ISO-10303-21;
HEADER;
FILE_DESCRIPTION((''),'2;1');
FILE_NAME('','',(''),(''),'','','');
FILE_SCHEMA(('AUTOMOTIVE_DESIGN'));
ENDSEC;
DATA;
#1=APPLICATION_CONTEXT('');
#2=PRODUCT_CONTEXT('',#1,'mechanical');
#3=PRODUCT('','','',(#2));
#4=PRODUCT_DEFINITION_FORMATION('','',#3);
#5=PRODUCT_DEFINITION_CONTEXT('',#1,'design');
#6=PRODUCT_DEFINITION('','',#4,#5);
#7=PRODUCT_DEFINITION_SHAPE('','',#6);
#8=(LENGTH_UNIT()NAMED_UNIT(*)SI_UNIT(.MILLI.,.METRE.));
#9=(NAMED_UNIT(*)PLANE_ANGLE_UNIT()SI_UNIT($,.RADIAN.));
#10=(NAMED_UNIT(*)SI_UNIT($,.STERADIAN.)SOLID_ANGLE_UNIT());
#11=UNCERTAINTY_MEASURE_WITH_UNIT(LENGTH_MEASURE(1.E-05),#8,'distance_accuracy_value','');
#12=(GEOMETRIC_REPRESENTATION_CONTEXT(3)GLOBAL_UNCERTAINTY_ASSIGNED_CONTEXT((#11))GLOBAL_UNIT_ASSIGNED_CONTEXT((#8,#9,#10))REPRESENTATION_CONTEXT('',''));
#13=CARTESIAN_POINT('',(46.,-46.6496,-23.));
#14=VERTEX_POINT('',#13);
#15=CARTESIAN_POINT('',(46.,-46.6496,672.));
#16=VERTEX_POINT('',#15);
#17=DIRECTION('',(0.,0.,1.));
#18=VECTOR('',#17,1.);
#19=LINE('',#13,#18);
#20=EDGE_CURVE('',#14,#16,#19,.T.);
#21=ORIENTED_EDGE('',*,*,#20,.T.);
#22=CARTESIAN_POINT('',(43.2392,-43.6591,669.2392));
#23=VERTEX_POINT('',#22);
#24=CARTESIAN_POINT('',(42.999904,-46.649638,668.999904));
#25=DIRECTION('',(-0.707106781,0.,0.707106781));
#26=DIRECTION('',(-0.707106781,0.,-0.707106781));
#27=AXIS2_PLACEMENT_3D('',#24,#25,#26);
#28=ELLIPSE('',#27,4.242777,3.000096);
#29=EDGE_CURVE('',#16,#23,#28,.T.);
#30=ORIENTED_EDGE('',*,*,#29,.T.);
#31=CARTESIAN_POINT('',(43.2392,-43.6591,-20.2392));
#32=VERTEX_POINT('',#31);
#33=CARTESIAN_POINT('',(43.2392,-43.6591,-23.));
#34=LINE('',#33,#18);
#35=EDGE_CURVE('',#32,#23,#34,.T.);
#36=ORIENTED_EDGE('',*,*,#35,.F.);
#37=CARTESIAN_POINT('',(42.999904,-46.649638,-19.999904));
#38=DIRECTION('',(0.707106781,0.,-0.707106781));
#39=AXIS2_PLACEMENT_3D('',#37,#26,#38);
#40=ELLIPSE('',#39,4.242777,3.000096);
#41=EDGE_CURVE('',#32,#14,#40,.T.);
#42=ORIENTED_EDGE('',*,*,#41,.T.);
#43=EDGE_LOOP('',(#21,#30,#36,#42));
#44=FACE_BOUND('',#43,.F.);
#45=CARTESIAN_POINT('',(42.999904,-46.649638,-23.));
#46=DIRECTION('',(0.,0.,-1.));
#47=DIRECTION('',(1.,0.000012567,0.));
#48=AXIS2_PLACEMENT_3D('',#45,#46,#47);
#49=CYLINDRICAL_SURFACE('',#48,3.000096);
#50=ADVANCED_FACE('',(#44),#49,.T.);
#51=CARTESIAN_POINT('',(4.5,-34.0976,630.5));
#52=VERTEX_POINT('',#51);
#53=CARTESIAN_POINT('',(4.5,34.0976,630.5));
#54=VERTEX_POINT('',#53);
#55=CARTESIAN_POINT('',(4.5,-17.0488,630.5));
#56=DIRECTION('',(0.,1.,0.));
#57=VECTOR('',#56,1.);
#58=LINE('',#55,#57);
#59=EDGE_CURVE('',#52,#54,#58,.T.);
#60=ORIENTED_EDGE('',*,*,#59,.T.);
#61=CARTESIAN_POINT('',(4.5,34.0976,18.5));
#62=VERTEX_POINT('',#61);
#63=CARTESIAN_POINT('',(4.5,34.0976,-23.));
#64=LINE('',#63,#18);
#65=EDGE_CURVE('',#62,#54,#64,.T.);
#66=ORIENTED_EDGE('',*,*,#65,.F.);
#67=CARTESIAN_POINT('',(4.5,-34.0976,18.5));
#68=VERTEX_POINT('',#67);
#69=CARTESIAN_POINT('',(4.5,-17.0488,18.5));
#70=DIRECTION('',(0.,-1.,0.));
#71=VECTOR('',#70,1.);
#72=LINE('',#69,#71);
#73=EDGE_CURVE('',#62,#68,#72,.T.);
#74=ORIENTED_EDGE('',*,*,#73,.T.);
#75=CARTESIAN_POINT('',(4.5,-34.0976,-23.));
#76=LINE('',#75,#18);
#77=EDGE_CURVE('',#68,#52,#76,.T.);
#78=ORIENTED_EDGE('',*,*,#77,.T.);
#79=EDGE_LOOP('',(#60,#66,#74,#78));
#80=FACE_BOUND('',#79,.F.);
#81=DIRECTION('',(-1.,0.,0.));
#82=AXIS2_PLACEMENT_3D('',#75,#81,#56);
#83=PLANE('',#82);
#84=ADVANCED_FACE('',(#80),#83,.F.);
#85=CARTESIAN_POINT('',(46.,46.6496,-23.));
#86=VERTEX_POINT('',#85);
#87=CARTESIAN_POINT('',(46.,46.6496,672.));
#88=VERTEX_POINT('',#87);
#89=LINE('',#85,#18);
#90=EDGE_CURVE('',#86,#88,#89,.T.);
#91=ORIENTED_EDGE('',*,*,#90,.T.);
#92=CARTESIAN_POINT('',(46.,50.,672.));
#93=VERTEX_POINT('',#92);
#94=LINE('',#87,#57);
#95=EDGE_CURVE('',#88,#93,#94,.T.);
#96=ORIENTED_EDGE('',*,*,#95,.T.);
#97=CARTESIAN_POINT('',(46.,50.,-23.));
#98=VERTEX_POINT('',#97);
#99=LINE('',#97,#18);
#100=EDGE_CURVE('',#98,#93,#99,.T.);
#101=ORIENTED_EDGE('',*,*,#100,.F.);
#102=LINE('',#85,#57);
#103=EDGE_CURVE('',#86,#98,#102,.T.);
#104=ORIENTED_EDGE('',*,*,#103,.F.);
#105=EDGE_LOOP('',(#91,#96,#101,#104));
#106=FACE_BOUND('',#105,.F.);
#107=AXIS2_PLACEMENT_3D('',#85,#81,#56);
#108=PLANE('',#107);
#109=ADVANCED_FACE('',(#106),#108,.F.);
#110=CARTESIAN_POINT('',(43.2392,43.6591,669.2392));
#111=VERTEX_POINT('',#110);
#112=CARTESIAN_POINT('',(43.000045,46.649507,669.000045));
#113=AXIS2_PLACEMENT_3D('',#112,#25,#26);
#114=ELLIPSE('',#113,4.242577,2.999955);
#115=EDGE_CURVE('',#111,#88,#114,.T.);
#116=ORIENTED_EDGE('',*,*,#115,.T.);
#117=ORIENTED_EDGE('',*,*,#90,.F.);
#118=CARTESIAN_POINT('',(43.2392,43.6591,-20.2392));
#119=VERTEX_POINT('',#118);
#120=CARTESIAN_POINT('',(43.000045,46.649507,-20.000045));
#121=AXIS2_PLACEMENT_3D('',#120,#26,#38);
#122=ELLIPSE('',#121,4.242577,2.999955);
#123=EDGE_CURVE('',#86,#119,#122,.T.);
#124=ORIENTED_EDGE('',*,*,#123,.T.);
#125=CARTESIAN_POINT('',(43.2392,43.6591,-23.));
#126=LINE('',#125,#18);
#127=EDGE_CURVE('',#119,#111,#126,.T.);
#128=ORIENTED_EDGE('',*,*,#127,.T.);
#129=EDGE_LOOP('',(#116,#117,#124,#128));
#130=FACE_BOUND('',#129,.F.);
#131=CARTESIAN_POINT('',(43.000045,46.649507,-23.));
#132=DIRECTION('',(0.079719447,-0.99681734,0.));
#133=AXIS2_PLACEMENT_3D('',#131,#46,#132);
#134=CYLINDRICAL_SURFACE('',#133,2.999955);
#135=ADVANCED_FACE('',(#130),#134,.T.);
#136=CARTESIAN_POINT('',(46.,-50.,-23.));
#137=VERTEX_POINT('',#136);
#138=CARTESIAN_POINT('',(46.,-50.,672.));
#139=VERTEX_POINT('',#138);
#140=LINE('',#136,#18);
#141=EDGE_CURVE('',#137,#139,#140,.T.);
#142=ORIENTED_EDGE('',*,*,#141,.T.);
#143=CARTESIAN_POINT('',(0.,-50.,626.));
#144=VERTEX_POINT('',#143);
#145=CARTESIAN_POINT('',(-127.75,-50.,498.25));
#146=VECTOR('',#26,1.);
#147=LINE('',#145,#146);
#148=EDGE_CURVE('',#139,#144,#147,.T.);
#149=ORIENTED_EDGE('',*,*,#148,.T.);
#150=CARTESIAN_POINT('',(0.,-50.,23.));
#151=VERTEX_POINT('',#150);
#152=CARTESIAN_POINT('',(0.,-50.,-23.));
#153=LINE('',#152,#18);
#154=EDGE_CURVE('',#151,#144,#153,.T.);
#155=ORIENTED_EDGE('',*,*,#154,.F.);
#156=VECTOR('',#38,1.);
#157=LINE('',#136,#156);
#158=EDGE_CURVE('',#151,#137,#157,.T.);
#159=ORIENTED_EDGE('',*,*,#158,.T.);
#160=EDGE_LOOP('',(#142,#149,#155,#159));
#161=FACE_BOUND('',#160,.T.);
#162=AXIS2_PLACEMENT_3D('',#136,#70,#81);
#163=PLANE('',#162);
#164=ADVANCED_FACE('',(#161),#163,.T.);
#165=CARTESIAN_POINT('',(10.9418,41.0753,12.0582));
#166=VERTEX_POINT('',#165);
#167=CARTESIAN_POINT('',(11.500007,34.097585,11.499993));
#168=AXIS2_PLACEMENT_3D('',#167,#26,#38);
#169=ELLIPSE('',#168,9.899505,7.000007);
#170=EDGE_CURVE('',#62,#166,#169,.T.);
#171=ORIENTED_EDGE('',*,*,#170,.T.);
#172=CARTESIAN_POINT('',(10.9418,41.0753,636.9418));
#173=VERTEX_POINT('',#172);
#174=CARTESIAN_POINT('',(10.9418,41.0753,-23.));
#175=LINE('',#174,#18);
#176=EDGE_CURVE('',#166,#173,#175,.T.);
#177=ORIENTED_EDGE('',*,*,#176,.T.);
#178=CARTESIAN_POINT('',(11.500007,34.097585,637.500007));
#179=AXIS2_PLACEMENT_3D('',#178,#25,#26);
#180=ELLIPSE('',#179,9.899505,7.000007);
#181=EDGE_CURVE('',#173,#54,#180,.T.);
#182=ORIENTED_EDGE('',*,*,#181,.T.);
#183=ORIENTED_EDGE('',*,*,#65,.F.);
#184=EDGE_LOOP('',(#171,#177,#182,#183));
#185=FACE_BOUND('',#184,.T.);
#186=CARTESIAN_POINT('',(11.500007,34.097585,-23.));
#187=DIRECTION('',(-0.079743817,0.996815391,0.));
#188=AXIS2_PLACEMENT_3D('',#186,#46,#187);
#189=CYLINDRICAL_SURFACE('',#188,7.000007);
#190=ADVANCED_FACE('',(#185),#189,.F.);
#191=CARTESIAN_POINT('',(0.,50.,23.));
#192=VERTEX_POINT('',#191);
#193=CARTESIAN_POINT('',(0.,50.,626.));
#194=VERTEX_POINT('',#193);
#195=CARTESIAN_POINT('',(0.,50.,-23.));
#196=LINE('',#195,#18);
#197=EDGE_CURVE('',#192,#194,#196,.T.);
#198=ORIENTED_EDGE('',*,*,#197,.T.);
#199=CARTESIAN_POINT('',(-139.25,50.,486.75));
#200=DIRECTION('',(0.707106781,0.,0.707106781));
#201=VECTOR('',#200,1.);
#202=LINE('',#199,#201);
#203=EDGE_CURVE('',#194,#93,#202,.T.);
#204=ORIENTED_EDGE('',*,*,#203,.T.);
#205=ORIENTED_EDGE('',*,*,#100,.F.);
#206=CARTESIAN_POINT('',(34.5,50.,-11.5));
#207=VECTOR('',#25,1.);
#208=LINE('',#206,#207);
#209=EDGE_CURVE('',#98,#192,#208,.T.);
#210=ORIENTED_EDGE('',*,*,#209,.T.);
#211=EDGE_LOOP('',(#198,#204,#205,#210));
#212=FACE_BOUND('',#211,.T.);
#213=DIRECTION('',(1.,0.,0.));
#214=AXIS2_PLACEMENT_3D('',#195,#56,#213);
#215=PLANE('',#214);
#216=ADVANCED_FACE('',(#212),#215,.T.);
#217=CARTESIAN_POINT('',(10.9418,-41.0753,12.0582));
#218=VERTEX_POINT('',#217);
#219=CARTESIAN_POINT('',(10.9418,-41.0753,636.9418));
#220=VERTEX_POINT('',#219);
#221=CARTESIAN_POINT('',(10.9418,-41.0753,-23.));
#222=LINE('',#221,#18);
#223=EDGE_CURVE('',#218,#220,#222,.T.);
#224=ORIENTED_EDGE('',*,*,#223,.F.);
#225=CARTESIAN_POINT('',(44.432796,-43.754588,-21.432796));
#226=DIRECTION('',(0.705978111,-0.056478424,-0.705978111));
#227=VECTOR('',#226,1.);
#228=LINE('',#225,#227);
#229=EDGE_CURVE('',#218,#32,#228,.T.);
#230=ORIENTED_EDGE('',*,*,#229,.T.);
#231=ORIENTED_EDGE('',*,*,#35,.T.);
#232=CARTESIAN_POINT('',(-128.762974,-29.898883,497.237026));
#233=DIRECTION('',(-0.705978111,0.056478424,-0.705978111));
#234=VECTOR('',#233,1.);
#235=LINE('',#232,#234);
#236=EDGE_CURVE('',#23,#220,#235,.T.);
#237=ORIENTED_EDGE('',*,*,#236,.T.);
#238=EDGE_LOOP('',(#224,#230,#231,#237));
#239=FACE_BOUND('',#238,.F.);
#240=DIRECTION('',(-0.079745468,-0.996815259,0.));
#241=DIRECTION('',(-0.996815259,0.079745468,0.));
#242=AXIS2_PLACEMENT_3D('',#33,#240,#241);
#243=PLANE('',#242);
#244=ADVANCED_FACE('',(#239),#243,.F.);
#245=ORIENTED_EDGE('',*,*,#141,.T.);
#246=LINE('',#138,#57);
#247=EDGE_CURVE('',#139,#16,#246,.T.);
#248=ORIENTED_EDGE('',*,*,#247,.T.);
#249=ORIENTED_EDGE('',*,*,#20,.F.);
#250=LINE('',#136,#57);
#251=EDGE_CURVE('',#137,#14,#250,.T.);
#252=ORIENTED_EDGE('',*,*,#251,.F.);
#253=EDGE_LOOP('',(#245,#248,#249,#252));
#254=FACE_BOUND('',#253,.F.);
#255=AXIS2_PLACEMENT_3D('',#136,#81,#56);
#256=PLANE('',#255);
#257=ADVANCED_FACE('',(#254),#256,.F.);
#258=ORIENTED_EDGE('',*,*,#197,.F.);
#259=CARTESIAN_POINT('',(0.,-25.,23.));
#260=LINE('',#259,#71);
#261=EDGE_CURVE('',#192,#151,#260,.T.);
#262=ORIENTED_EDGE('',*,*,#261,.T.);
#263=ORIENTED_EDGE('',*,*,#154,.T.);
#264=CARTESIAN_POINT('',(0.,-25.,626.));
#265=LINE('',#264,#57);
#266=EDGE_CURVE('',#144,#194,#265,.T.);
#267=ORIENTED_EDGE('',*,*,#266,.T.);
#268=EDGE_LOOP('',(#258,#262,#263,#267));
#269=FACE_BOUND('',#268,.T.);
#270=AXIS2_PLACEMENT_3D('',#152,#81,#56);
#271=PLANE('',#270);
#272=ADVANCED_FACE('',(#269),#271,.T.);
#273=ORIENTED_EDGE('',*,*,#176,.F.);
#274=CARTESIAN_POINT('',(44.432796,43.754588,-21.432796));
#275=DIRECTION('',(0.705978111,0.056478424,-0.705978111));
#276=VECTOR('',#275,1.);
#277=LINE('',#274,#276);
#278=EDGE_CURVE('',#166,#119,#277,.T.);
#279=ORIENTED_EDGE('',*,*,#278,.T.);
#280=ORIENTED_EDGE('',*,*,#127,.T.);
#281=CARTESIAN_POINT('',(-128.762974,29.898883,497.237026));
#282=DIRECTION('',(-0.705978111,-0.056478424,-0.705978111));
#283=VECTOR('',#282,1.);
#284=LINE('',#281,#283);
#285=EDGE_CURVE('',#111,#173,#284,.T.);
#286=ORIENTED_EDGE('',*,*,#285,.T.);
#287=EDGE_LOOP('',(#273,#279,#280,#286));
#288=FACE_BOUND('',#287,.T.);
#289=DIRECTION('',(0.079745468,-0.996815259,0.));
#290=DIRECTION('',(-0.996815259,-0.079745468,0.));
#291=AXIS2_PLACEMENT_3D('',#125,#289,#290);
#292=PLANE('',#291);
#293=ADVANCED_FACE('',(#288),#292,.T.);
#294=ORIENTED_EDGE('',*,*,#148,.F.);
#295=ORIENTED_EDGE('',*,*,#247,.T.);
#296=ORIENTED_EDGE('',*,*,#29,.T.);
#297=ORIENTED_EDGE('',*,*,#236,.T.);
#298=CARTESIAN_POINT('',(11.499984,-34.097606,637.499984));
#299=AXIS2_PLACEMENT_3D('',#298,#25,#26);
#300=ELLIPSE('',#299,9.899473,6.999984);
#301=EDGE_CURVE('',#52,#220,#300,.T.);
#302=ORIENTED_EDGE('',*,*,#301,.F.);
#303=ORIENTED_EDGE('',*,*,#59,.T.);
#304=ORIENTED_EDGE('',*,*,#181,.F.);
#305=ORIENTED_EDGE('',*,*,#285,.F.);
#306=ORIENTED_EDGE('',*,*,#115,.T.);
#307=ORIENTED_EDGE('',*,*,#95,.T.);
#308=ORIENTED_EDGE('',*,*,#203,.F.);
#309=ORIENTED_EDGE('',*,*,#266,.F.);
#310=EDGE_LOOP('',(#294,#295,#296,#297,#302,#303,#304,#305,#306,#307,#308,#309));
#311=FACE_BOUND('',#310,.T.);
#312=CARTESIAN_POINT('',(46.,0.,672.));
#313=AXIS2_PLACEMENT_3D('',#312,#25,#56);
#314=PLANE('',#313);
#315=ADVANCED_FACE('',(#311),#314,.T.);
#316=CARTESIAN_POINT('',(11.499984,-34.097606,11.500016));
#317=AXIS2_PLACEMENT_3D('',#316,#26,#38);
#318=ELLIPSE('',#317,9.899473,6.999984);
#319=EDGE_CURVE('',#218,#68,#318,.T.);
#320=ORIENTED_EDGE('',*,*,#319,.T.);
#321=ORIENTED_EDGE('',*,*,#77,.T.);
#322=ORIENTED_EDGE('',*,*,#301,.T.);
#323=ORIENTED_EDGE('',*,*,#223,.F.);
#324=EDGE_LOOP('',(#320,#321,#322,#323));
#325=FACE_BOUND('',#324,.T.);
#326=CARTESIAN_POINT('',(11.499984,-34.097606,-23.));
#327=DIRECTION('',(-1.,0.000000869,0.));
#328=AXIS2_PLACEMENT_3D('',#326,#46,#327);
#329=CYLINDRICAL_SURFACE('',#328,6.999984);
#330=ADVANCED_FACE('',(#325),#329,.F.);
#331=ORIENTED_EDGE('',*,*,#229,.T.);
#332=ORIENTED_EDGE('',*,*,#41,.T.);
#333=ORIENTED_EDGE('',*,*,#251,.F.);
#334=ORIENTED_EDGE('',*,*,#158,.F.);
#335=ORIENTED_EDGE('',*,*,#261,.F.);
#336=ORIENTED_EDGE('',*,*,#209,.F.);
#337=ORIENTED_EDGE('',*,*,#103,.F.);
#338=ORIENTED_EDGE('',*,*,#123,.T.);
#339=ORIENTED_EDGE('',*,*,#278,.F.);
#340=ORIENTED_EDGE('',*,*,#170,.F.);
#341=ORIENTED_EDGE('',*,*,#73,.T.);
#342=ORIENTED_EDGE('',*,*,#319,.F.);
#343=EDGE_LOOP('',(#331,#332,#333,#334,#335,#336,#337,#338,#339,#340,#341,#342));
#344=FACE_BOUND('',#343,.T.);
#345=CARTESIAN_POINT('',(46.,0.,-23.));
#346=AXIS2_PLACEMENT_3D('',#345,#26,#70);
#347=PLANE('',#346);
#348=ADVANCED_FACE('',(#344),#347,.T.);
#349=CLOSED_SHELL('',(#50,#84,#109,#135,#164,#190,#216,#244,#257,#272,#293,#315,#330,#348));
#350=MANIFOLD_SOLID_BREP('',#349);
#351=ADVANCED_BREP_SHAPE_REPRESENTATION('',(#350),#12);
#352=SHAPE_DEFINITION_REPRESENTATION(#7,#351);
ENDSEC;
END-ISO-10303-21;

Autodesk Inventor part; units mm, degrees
ref_plane "Начальная плоскость" through (0, 0, -23) normal (0, 0, 1) x (1, 0, 0)
ref_plane "Конечная плоскость" through (0, 0, 672) normal (0, 0, 1) x (1, 0, 0)
sketch "Эскиз" plane through (0, 0, 0) normal (0, 0, 1) x (1, 0, 0)
  line L0 (46, -50) -> (0, -50)
  line L1 (46, -50) -> (46, -46.6496)
  line L2 (43.2392, -43.6591) -> (10.9418, -41.0753)
  line L3 (4.5, -34.0976) -> (4.5, 34.0976)
  line L4 (43.2392, 43.6591) -> (10.9418, 41.0753)
  line L5 (46, 46.6496) -> (46, 50)
  line L6 (0, 50) -> (46, 50)
  line L7 (0, -50) -> (0, 50)
  arc A0 (4.5, -34.0976) -> (10.9418, -41.0753) centre (11.5, -34.0976) ccw
  arc A1 (10.9418, 41.0753) -> (4.5, 34.0976) centre (11.5, 34.0976) ccw
  arc A2 (46, -46.6496) -> (43.2392, -43.6591) centre (43, -46.6496) ccw
  arc A3 (43.2392, 43.6591) -> (46, 46.6496) centre (43, 46.6496) ccw
  line L8 (0, 70) -> (0, -70) construction
  line L9 (-9.3169, 0) -> (55.9016, 0) construction
  point P0 (46, -43.88)
  point P1 (4.5, -40.56)
  point P2 (4.5, 40.56)
  point P3 (46, 43.88)
  dimension "d3" = 46
  dimension "d5" = 4.5
  dimension "d7" = 100
  dimension "d9" = 9.44
  dimension "d11" = 9.44
  dimension "d13" = 6.12
  dimension "d15" = 6.12
  dimension "d22" = 7
  dimension "d23" = 3
  dimension "d24" = 50
  dimension "d25" = 0
extrude "Тело" add sketch "Эскиз" along normal up to surface (695 mm away) from surface at -23
sketch "Sketch3" plane through (0, 0, 0) normal (0, 0, 1) x (1, 0, 0)
  line L0 (0, 0) -> (10, 0)
ref_plane "Work Plane7" through (0, 0, 0) normal (0, -1, 0) x (1, 0, 0)
sketch "Sketch4" plane through (0, 0, 0) normal (0, -1, 0) x (1, 0, 0)
  line L0 (-2, -23) -> (12, -23)
  line L1 (-2, 672) -> (12, 672)
  dimension "d29" = 695
ref_plane "РабПлоскость8" through (46, 0, 672) normal (-0.7071, 0, 0.7071) x (0.7071, 0, 0.7071)
split "Разделение1" plane through (46, 0, 672) removes the side toward (-0.7071, 0, 0.7071)
ref_plane "РабПлоскость9" through (46, 0, -23) normal (-0.7071, 0, -0.7071) x (-0.7071, 0, 0.7071)
split "Разделение2" plane through (46, 0, -23) removes the side toward (-0.7071, 0, -0.7071)
equation "\"d3\" = b"
equation "\"d5\" = t1"
equation "\"d7\" = ParH"
equation "\"d9\" = msp_x1 + t2"
equation "\"d11\" = msp_x1 + t2"
equation "\"d13\" = -msp_x2 + t2"
equation "\"d15\" = -msp_x2 + t2"
equation "\"d22\" = R"
equation "\"d23\" = R1"
equation "\"d24\" = 0.5 * d7"
equation "\"d16\" = G_L"
equation "\"R1\" = 3"
equation "\"R\" = 7"
equation "\"t1\" = 4.5"
equation "\"t2\" = 7.6"
equation "\"ParH\" = 100"
equation "\"b\" = 46"
equation "\"msp_x1\" = 0.04 * b"
equation "\"msp_x2\" = -0.08 * t1 + 0.04 * b"
equation "\"G_L\" = d29"
equation "\"ex\" = 0"
equation "\"G_OFFSET_START\" = 23"
equation "\"G_OFFSET_END\" = 23"
equation "\"d26\" = -G_OFFSET_START"
equation "\"d27\" = G_OFFSET_END + B_L"
equation "\"B_L\" = 649"
properties part number "Швеллер 10U-695 ГОСТ 8240-97" material "Сталь, мягкая"
